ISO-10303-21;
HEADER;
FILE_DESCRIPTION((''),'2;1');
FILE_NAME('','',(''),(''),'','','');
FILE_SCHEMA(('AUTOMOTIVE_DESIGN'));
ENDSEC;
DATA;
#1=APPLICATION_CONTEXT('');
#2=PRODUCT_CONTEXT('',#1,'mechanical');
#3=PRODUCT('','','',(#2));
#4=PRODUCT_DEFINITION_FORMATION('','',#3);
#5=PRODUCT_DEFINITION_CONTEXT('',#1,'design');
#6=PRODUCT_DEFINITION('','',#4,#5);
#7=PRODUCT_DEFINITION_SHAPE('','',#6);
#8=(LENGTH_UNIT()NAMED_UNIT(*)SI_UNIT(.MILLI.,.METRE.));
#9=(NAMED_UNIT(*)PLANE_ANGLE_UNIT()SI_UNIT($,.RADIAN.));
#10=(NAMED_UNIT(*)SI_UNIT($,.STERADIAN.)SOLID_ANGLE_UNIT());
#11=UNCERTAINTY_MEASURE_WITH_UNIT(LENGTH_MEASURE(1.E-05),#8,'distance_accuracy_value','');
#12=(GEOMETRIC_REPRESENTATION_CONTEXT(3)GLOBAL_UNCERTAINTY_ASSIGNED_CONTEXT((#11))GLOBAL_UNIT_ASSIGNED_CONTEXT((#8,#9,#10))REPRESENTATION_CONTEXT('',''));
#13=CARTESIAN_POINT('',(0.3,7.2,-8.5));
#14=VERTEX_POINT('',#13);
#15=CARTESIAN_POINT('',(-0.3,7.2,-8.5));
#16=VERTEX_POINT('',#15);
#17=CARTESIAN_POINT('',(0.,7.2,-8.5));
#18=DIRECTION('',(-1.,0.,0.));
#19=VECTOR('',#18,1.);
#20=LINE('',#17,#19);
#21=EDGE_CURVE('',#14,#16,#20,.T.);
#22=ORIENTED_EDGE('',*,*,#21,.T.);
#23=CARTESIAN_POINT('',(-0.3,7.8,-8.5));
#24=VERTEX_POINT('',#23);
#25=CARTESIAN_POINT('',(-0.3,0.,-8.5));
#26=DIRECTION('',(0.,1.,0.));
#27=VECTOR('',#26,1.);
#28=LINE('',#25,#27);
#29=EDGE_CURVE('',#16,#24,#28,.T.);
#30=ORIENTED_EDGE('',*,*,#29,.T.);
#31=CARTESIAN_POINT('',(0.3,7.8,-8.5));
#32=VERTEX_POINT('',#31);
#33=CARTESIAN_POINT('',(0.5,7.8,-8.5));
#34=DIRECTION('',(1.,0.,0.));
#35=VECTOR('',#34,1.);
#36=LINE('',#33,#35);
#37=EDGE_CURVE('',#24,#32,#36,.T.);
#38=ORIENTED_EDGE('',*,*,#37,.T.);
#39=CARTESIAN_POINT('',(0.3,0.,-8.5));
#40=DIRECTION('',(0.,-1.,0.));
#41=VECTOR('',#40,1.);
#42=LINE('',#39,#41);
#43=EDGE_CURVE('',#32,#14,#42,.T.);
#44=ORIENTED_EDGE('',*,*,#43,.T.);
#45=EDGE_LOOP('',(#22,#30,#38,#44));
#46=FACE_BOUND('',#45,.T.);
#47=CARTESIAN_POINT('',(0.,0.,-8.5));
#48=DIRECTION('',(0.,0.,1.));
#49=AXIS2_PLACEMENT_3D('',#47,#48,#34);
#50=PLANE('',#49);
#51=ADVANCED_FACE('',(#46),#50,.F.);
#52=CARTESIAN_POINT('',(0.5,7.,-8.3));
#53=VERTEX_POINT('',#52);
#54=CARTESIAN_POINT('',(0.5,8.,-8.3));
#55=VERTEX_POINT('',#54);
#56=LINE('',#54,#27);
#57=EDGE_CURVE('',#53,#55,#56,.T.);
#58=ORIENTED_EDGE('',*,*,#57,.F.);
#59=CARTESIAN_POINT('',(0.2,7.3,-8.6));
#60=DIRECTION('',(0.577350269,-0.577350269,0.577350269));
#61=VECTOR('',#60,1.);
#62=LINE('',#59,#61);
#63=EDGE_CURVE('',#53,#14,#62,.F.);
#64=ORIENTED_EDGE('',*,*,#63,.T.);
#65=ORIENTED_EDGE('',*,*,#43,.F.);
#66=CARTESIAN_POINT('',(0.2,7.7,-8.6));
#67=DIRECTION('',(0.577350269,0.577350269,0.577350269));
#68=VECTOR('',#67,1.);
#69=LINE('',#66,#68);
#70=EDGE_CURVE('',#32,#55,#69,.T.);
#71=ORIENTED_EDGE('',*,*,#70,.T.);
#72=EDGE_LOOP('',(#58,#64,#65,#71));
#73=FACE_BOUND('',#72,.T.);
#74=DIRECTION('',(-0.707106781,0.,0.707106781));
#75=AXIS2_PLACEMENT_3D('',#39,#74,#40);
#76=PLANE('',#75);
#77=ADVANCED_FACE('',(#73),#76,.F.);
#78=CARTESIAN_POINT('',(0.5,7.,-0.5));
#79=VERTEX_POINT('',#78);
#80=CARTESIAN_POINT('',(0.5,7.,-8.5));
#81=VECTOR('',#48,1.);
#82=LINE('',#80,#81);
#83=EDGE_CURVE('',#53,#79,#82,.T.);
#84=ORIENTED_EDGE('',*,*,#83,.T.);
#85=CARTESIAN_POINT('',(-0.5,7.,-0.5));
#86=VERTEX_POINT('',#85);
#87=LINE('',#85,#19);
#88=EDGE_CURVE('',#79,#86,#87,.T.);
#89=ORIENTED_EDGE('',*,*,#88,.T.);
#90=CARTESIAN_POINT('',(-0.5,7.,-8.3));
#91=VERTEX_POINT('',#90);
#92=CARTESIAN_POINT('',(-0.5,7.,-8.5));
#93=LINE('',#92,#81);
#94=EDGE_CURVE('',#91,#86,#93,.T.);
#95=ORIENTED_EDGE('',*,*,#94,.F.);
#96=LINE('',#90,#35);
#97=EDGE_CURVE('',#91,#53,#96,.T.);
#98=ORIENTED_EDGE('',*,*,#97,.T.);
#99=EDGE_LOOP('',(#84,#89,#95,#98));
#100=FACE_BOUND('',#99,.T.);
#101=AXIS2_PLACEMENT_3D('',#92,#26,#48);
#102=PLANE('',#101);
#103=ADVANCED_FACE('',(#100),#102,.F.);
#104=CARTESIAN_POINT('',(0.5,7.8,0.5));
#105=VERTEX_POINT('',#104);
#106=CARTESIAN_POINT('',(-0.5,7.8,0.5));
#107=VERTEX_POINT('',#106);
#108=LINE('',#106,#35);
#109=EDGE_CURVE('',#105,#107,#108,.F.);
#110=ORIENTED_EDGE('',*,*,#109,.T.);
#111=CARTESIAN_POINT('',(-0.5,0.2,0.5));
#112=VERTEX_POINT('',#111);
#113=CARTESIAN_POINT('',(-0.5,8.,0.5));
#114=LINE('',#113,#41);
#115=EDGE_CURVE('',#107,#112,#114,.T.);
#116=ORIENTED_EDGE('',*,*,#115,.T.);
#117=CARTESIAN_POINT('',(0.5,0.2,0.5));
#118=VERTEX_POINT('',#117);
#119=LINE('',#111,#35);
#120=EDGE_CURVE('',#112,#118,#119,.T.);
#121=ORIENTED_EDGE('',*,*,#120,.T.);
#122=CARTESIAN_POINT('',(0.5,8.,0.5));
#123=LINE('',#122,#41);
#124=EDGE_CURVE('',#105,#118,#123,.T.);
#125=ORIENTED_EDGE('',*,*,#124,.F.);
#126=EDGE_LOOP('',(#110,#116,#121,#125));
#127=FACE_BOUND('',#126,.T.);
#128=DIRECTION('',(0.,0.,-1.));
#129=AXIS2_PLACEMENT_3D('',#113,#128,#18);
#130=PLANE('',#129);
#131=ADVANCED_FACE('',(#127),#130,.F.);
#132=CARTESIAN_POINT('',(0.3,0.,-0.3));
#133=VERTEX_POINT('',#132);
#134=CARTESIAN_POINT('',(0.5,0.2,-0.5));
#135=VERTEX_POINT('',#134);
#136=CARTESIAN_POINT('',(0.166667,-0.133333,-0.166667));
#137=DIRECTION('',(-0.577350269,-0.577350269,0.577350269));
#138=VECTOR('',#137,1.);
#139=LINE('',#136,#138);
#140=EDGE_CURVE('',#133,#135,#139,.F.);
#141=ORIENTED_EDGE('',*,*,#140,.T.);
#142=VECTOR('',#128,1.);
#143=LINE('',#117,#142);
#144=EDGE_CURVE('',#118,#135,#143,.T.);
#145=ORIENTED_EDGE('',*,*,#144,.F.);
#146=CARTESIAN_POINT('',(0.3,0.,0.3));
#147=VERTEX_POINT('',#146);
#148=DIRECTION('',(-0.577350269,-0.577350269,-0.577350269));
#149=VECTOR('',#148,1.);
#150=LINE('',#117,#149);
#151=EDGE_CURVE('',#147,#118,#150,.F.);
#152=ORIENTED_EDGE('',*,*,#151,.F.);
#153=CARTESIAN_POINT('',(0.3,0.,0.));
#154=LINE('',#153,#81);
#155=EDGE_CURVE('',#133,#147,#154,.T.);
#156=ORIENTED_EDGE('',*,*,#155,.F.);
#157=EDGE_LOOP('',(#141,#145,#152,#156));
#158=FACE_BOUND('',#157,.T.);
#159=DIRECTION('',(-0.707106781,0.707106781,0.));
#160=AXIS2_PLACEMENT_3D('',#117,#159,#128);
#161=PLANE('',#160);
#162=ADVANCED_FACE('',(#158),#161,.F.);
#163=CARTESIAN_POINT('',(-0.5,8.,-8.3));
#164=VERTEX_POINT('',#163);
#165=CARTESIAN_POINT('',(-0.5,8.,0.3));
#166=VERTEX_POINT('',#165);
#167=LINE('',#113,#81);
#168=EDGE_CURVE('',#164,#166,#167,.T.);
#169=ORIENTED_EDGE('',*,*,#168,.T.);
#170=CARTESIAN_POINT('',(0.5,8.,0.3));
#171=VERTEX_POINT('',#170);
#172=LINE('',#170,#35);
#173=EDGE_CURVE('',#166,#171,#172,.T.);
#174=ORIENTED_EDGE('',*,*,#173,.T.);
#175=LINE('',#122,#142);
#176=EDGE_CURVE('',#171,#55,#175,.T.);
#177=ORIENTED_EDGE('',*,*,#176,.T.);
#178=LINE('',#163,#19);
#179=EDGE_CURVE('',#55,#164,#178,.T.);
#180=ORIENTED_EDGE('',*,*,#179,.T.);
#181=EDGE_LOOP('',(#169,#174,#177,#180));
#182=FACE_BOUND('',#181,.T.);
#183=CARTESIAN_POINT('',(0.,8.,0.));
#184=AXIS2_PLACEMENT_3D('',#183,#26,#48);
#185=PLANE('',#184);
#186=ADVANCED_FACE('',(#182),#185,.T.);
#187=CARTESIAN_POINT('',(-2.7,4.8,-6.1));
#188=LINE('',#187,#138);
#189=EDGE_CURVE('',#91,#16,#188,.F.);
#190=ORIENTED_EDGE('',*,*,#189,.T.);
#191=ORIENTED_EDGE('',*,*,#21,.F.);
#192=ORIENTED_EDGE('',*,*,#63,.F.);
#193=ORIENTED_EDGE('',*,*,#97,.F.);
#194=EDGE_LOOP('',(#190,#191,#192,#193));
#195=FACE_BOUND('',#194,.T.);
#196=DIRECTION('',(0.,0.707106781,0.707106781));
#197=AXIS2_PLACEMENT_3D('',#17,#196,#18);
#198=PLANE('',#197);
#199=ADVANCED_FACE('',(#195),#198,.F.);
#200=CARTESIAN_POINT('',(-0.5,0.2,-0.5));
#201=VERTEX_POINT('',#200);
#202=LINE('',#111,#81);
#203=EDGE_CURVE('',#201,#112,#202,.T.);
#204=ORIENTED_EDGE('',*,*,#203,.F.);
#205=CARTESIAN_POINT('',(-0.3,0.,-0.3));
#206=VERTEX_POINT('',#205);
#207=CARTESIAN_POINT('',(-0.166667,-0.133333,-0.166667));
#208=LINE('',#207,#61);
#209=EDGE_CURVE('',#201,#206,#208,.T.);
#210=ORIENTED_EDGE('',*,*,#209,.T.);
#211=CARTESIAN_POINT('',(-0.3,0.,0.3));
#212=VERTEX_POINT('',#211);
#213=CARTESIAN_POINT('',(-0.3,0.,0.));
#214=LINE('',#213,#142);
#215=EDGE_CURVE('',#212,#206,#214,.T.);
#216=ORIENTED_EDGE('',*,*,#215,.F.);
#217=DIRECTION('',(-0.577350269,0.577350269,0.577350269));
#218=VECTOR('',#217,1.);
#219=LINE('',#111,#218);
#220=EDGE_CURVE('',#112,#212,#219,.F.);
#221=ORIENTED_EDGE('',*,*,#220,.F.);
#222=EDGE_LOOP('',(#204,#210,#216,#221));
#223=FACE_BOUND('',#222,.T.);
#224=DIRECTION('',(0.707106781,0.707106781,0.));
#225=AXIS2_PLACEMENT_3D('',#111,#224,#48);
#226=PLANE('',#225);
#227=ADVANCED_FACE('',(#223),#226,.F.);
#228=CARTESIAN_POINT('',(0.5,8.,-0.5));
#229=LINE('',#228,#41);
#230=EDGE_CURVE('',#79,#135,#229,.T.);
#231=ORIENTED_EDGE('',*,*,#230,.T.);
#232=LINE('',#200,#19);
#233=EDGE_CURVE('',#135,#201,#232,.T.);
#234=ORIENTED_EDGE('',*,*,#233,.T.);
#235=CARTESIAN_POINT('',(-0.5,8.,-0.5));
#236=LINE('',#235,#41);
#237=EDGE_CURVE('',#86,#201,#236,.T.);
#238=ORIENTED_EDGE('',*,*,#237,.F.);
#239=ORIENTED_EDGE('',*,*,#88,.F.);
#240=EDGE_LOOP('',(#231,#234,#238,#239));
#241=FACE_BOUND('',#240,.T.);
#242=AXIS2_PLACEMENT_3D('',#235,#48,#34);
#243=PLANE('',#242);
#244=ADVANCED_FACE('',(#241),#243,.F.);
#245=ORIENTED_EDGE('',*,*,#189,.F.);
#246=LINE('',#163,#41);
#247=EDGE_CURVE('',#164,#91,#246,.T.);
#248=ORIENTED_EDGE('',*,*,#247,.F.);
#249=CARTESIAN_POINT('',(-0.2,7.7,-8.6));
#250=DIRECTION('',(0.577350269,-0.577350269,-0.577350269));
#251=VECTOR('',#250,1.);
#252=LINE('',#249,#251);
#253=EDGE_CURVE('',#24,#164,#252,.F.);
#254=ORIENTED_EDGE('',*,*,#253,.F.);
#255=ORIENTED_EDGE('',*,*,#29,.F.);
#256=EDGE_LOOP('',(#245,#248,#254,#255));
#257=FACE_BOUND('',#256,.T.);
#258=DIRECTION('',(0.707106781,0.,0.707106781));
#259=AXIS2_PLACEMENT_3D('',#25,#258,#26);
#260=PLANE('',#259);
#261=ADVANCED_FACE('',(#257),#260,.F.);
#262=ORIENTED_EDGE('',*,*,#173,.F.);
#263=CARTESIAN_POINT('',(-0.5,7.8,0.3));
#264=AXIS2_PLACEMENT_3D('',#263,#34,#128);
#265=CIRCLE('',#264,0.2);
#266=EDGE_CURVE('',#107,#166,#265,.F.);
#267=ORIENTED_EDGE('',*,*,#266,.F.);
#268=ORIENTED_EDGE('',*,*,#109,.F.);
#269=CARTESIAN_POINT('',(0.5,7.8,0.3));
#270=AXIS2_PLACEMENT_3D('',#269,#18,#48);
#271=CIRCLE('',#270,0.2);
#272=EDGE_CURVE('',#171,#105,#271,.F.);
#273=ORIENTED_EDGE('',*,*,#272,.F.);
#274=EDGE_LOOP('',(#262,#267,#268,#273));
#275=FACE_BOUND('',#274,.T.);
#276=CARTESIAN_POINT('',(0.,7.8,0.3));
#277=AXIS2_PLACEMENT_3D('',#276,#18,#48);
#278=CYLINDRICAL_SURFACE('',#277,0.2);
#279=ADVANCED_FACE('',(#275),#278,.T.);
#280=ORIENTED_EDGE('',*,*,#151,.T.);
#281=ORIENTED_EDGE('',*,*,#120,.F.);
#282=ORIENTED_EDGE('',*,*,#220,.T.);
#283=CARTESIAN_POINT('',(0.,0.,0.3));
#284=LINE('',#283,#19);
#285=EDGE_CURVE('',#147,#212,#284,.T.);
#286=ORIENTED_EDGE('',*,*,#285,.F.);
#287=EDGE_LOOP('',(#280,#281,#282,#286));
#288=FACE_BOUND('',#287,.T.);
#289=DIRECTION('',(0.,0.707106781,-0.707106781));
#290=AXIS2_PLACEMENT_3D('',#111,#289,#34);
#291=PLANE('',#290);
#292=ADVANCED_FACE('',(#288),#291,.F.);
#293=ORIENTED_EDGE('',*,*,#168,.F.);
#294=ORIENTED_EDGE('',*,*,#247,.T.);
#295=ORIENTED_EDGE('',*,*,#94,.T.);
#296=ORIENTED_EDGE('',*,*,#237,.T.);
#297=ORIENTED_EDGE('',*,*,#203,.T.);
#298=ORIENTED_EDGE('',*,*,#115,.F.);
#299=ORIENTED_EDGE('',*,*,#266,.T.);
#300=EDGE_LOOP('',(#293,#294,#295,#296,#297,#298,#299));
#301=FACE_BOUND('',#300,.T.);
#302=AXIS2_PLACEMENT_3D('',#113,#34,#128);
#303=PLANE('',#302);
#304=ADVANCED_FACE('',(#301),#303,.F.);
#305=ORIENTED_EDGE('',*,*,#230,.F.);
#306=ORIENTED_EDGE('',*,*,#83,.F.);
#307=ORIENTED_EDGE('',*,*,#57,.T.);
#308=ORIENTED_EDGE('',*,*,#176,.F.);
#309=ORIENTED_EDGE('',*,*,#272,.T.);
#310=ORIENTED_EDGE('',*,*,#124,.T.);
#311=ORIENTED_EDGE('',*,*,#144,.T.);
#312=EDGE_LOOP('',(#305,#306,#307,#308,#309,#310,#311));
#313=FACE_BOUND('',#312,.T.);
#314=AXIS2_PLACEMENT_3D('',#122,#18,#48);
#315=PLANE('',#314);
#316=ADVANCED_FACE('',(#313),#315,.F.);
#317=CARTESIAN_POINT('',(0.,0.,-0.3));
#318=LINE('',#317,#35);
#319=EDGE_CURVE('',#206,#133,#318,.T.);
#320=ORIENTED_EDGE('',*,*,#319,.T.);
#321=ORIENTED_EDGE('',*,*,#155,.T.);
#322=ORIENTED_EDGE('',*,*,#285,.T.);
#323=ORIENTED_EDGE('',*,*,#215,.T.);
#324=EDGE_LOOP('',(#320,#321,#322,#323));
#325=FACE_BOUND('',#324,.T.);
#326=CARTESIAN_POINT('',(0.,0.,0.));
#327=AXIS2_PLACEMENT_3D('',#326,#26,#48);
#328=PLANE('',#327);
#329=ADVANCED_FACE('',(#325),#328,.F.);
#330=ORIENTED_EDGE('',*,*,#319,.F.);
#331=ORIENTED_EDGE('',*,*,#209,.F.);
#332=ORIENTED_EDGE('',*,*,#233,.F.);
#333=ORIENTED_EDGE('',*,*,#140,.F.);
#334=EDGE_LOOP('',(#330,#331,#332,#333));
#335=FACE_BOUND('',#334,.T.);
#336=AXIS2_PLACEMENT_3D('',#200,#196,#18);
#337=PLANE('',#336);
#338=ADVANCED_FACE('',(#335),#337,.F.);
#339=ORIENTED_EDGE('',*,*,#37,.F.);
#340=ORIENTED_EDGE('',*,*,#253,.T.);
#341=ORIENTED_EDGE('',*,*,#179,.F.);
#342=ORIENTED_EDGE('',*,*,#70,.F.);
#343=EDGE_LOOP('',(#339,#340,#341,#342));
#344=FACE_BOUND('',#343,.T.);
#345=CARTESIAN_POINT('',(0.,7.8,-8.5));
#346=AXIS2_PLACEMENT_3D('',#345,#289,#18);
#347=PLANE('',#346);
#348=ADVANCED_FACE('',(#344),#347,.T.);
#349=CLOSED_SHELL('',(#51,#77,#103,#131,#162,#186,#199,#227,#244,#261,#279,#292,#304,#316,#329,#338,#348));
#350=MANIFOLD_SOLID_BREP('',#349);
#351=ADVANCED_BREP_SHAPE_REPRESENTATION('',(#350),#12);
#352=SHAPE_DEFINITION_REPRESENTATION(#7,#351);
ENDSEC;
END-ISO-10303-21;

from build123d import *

# Parameters (mm, degrees)
SKETCH2_W           = 1
SKETCH2_H           = 1
BOSS_EXTRUDE1_DEPTH = 8
SKETCH3_W           = 1
SKETCH3_H           = 1
BOSS_EXTRUDE2_DEPTH = 8
FILLET1_R           = 0.2
CHAMFER1_SIZE       = 0.2
CHAMFER2_SIZE       = 0.2


with BuildPart() as part:
    # Sketch2 → Boss-Extrude1 (new body)
    with BuildSketch(Plane(origin=(0, 0, 0), x_dir=(1, 0, 0), z_dir=(0, 1, 0))):
        Rectangle(SKETCH2_W, SKETCH2_H)
    extrude(amount=BOSS_EXTRUDE1_DEPTH)

    # Sketch3 → Boss-Extrude2 (add)
    with BuildSketch(Plane(origin=(0, 0, -0.5), x_dir=(-1, 0, 0), z_dir=(0, 0, -1))):
        with Locations((0, 7.5)):
            Rectangle(SKETCH3_W, SKETCH3_H)
    extrude(amount=BOSS_EXTRUDE2_DEPTH)

    # Fillet1
    fillet1_edges = [part.edges().sort_by_distance(p)[0] for p in [
        (0, 8, 0.5),
    ]]
    fillet(fillet1_edges, radius=FILLET1_R)

    # Chamfer1
    chamfer1_edges = [part.edges().sort_by_distance(p)[0] for p in [
        (0.5, 7.5, -8.5),
        (0, 7, -8.5),
        (-0.5, 7.5, -8.5),
        (0, 8, -8.5),
    ]]
    chamfer(chamfer1_edges, length=CHAMFER1_SIZE)

    # Chamfer2
    chamfer2_edges = [part.edges().sort_by_distance(p)[0] for p in [
        (-0.5, 0, 0),
        (0, 0, -0.5),
        (0.5, 0, 0),
        (0, 0, 0.5),
    ]]
    chamfer(chamfer2_edges, length=CHAMFER2_SIZE)


solid = part.part
